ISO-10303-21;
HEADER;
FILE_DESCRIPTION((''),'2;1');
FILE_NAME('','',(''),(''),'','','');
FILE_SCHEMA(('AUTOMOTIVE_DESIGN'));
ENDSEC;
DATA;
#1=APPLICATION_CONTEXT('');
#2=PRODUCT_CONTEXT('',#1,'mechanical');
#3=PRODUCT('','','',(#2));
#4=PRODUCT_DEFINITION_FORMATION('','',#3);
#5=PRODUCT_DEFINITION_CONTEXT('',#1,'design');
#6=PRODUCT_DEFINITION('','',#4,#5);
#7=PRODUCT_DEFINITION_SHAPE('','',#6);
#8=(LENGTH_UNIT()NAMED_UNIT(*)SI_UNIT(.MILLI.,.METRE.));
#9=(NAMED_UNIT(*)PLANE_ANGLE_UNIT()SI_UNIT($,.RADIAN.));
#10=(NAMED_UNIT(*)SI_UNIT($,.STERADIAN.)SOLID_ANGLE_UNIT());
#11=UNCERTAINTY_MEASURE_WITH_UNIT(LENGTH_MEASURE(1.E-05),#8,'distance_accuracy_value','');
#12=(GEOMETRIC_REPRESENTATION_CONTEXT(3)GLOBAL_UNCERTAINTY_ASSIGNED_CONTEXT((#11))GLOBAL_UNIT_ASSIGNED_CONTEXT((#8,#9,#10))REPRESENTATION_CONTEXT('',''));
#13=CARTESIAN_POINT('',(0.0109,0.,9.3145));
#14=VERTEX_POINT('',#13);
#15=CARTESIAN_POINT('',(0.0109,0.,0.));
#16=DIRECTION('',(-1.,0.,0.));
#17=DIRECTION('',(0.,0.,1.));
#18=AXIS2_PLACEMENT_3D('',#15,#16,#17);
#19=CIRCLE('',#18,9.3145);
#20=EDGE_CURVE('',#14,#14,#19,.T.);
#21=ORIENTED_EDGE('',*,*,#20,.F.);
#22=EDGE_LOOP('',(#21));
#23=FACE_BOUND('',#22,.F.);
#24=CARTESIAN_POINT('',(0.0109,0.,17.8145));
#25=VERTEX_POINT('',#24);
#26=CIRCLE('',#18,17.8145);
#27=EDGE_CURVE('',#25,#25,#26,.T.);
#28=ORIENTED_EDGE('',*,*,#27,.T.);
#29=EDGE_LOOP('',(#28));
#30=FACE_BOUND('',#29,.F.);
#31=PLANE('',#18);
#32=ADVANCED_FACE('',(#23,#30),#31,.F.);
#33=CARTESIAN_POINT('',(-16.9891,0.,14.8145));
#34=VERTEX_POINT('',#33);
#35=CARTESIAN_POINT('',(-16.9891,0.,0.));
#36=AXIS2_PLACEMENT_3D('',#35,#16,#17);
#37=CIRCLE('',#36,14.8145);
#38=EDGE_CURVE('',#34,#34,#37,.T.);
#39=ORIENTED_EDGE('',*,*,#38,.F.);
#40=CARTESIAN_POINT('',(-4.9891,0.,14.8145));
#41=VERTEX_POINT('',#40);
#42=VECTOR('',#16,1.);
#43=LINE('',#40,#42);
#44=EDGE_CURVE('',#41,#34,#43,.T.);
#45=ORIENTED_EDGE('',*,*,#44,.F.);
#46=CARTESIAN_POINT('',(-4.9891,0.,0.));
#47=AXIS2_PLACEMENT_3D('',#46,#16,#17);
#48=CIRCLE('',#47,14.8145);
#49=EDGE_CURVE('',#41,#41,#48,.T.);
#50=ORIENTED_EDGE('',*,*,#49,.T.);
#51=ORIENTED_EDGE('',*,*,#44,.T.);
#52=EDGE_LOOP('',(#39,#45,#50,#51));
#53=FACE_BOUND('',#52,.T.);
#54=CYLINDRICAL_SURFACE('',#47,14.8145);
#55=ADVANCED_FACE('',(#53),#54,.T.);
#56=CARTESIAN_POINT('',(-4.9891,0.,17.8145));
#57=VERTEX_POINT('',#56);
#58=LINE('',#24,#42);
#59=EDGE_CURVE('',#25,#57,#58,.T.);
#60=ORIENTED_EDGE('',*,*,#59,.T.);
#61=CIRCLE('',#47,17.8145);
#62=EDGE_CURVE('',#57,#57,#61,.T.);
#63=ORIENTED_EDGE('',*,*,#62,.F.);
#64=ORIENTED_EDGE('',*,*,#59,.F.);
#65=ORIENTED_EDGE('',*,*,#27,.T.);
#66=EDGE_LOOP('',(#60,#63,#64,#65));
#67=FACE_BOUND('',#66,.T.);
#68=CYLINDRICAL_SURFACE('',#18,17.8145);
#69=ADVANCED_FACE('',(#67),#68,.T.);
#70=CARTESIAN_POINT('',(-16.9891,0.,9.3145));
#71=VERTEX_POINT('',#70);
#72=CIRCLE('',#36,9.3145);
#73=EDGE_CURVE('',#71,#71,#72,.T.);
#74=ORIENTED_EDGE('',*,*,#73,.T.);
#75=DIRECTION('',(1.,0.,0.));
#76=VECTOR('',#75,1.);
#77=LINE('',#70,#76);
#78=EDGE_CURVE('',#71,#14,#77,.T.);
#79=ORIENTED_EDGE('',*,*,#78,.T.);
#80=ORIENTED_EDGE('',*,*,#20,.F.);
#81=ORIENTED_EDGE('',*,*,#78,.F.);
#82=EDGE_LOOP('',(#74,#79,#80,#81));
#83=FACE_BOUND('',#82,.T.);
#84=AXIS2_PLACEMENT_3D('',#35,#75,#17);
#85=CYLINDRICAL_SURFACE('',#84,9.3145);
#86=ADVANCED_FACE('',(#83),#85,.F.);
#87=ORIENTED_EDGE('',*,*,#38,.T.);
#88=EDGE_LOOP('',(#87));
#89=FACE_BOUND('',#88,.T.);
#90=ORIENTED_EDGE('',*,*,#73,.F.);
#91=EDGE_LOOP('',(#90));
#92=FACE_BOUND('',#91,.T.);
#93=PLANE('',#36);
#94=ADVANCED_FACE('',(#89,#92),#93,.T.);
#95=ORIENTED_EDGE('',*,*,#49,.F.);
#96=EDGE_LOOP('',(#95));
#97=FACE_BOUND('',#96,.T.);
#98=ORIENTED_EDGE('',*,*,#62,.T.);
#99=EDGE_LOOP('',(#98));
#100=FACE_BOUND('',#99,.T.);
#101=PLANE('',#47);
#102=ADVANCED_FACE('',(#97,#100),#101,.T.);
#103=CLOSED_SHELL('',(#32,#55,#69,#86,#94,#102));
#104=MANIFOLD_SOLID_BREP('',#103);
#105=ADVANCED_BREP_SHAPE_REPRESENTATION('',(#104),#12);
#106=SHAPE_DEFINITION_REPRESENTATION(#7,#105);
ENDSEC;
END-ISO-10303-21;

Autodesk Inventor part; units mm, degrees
ref_plane "YZ Plane" through (0, 0, 0) normal (1, 0, 0) x (0, 1, 0)
ref_plane "XZ Plane" through (0, 0, 0) normal (0, 1, 0) x (-1, 0, 0)
ref_plane "XY Plane" through (0, 0, 0) normal (0, 0, 1) x (1, 0, 0)
sketch "Sketch1" plane through (0, 0, 0) normal (0, 1, 0) x (-1, 0, 0)
  line L0 (-15, 0) -> (15, 0)
  line L1 (-0.0109, 17.8145) -> (4.9891, 17.8145)
  line L2 (4.9891, 17.8145) -> (4.9891, 14.8145)
  line L3 (4.9891, 14.8145) -> (16.9891, 14.8145)
  line L4 (-0.0109, 17.8145) -> (-0.0109, 9.3145)
  line L5 (16.9891, 14.8145) -> (16.9891, 9.3145)
  line L6 (16.9891, 9.3145) -> (-0.0109, 9.3145)
  point P0 (0, 0)
  dimension "d2" = 30
  dimension "d5" = 5
  dimension "d6" = 3
  dimension "d7" = 12
  dimension "d10" = 8.5
revolve "Revolution1" add sketch "Sketch1" angle 360 about axis through (15, 0, 0) along (-1, 0, 0)
thread "Thread1" size "M30x1" class "6g" standard "ANSI Metric M Profile" full length
properties part number "00.32.013 \"Bushing\"" material "Steel"
